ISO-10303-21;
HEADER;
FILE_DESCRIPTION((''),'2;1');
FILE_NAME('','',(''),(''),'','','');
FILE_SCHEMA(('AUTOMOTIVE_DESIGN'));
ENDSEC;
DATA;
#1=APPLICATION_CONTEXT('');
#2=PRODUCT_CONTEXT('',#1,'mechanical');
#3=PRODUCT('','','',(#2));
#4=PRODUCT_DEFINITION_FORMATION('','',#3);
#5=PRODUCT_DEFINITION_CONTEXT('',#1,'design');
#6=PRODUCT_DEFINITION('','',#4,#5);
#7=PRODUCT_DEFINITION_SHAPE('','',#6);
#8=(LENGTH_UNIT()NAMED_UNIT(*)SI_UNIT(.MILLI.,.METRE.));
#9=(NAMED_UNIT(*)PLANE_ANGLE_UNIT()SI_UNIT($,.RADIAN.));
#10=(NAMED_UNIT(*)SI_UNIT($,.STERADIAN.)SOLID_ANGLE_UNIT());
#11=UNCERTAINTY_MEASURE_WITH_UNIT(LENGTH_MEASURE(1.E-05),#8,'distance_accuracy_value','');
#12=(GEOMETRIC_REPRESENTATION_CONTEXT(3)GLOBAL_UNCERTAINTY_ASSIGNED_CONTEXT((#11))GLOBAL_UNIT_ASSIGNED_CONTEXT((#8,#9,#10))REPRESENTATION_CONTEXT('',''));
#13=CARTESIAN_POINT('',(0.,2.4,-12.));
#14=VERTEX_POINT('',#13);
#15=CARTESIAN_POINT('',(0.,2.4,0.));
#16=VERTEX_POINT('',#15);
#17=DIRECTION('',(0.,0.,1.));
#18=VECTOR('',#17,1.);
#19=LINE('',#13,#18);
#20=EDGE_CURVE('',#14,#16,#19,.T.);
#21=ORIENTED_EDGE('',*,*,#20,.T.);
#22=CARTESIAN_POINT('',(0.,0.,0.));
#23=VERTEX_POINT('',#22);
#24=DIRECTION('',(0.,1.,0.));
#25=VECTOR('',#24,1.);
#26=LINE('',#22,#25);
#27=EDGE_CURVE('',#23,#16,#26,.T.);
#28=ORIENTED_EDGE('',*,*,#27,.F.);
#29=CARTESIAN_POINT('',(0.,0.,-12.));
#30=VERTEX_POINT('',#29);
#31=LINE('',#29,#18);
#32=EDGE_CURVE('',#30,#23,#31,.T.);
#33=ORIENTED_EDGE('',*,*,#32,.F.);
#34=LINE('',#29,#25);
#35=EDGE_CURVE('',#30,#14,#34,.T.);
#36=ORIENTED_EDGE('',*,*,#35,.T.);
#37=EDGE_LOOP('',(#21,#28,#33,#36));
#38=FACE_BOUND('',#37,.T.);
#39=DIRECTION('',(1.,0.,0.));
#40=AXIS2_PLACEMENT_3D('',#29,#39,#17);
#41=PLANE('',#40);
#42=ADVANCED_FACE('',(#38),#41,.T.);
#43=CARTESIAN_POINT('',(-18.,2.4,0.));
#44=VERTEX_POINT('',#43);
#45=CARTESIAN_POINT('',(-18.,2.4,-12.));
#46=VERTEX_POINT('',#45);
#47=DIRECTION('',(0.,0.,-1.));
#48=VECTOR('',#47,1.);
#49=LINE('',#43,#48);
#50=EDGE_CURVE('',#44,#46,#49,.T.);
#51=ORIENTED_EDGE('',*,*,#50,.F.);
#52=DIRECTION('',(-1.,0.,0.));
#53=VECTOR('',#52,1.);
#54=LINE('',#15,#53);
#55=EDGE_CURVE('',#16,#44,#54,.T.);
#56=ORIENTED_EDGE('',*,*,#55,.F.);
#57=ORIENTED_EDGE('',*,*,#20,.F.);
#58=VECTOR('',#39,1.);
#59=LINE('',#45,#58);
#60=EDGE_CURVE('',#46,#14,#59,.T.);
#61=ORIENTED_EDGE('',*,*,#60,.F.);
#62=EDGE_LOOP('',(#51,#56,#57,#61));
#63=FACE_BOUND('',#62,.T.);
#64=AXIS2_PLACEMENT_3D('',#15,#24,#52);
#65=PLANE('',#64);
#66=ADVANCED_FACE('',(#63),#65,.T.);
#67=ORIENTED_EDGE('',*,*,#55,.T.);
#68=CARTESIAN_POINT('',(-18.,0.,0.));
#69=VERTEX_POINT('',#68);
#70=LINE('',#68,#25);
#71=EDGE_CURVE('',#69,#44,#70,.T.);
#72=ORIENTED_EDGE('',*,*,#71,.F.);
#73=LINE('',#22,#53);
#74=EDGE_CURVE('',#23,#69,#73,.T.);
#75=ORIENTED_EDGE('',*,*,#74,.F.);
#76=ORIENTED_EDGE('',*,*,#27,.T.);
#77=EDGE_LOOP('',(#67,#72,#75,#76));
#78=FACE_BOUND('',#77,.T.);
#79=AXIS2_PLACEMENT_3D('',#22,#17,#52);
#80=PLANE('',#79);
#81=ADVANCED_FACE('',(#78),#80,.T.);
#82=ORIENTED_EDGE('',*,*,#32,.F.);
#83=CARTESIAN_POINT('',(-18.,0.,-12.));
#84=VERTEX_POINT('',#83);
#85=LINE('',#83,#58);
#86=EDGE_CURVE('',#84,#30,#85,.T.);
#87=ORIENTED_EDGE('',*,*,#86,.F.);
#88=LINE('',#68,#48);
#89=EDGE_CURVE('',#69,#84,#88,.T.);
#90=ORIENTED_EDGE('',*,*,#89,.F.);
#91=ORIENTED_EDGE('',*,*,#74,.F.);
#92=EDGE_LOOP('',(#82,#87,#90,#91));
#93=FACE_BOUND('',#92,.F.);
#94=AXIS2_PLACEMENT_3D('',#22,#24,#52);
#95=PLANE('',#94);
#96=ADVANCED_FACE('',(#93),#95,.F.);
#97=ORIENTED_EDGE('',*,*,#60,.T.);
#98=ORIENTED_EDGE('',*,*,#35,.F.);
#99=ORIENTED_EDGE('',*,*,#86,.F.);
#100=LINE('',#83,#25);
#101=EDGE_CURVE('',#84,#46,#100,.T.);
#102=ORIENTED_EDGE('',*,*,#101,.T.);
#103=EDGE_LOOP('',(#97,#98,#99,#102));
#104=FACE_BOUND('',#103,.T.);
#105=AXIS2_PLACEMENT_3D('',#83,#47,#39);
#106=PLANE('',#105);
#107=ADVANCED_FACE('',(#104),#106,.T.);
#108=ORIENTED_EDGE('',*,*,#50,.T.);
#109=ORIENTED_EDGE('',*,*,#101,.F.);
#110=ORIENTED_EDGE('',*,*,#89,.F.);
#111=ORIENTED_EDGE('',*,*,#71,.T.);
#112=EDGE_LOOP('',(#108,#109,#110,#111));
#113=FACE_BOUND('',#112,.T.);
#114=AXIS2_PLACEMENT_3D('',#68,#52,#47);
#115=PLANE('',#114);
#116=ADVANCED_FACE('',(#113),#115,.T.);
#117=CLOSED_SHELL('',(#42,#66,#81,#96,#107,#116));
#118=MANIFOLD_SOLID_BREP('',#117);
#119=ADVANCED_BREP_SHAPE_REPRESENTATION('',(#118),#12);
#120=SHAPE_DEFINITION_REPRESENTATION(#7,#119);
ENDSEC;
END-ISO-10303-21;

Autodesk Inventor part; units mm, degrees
ref_plane "YZ Plane" through (0, 0, 0) normal (1, 0, 0) x (0, 1, 0)
ref_plane "XZ Plane" through (0, 0, 0) normal (0, 1, 0) x (-1, 0, 0)
ref_plane "XY Plane" through (0, 0, 0) normal (0, 0, 1) x (1, 0, 0)
sketch "Sketch1" plane through (0, 0, 0) normal (0, 1, 0) x (-1, 0, 0)
  line L0 (0, 0) -> (18, 0)
  line L1 (18, 0) -> (18, -12)
  line L2 (18, -12) -> (0, -12)
  line L3 (0, -12) -> (0, 0)
  dimension "d0" = 18
  dimension "d1" = 12
extrude "Extrusion1" add sketch "Sketch1" along normal blind 2.4
properties part number "shim_2.5mm"
